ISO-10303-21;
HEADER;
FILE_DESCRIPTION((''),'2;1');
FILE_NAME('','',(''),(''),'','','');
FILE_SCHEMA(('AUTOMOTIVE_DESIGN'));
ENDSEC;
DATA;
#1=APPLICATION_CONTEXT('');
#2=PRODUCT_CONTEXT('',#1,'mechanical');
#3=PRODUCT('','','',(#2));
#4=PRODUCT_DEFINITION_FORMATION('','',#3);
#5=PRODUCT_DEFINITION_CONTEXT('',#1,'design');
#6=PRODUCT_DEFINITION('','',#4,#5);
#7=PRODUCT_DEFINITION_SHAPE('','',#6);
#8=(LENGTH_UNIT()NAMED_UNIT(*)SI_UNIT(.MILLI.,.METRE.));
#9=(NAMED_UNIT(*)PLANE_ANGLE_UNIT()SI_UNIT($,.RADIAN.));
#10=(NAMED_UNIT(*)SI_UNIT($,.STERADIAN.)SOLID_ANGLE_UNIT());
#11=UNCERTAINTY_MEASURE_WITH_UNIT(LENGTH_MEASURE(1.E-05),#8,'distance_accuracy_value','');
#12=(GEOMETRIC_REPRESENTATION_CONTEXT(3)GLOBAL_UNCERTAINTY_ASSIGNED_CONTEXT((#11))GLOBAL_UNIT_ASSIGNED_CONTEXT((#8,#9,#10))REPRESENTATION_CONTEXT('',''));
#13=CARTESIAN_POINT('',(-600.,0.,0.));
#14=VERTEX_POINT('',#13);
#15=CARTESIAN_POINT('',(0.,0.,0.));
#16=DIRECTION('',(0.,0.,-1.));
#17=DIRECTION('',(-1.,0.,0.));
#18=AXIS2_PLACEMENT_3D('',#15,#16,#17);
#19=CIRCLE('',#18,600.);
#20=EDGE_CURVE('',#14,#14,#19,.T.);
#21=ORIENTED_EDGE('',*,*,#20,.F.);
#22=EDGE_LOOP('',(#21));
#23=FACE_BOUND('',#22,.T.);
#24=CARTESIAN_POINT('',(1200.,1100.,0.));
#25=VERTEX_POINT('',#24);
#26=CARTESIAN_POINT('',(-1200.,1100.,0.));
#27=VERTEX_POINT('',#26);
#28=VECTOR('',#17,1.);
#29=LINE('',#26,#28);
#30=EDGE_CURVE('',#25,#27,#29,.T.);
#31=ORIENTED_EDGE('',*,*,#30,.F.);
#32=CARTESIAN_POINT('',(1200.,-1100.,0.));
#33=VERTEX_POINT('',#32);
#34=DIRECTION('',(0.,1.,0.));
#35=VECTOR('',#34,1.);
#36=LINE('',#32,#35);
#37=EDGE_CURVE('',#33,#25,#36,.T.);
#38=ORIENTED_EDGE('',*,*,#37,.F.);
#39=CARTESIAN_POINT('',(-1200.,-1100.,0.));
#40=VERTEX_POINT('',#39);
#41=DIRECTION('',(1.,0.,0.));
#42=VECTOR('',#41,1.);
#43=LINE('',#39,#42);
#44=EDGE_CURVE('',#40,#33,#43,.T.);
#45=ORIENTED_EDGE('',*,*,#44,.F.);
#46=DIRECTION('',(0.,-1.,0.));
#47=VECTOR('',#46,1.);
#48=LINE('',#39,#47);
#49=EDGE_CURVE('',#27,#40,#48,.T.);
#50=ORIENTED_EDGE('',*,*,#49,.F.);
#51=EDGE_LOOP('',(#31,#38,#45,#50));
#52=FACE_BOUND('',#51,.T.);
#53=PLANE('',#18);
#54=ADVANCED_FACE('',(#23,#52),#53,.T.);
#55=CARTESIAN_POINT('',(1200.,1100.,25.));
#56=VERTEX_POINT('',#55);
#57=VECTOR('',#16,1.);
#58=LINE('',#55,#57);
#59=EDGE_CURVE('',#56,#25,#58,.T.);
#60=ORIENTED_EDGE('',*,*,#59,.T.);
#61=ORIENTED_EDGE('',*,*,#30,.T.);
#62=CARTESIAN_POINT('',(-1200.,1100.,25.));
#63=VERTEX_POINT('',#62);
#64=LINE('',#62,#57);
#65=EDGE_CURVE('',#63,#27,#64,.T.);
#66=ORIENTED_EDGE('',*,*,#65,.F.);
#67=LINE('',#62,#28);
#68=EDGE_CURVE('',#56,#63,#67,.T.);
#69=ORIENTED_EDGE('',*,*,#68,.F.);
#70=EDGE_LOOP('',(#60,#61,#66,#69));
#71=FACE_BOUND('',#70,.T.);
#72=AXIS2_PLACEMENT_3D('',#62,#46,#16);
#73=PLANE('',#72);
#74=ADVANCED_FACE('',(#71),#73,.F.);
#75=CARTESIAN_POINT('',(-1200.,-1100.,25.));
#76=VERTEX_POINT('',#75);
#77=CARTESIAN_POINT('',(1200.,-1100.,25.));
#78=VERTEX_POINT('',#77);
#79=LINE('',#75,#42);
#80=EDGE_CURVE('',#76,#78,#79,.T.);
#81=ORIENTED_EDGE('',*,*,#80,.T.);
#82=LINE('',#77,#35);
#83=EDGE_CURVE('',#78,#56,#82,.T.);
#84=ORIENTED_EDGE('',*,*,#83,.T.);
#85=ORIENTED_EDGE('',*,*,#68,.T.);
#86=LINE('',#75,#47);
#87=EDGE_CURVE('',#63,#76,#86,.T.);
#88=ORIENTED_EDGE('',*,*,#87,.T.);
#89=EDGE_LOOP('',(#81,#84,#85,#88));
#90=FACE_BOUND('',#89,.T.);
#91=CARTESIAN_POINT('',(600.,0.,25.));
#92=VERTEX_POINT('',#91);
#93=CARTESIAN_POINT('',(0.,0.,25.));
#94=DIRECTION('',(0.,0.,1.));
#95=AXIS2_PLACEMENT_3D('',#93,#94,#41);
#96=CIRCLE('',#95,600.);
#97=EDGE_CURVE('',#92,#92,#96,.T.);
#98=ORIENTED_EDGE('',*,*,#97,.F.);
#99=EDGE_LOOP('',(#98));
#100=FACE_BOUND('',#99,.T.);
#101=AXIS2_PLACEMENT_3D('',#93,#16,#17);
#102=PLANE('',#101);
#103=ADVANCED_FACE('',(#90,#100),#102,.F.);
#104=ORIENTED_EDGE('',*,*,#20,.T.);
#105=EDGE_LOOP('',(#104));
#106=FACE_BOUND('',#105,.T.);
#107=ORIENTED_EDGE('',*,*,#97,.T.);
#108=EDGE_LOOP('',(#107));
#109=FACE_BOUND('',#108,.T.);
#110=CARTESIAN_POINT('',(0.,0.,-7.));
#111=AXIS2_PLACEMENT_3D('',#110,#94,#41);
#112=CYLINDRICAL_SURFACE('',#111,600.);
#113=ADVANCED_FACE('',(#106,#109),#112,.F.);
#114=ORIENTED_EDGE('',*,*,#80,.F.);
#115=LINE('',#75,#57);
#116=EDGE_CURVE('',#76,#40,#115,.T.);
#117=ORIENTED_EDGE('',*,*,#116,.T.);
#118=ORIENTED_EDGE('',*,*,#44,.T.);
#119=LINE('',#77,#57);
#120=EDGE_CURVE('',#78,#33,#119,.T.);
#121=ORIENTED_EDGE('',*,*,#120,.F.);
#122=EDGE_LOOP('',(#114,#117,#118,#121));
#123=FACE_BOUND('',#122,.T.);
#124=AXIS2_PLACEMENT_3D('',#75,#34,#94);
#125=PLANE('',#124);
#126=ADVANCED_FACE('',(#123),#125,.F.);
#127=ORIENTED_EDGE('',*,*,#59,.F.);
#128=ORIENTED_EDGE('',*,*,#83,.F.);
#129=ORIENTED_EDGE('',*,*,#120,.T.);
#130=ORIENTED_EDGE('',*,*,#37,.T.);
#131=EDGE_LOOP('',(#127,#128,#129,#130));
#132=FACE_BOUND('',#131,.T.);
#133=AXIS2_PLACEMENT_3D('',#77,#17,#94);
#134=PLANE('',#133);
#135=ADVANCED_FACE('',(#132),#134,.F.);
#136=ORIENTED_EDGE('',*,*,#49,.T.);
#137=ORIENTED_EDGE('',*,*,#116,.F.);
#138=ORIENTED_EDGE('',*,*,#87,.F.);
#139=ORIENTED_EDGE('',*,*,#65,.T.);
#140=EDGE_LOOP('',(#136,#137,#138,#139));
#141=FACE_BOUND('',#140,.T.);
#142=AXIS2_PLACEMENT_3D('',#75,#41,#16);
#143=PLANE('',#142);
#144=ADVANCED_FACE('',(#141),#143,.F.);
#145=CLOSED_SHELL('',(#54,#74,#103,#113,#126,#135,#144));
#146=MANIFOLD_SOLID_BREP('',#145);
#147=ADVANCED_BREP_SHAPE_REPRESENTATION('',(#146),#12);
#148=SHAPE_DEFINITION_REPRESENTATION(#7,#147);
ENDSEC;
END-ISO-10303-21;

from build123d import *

# Parameters (mm, degrees)
SKETCH1_W           = 2400
SKETCH1_H           = 2200
BOSS_EXTRUDE1_DEPTH = 25
SKETCH2_R           = 600
CUT_EXTRUDE1_DEPTH  = 32


with BuildPart() as part:
    # Sketch1 → Boss-Extrude1 (new body)
    with BuildSketch(Plane.XY):
        Rectangle(SKETCH1_W, SKETCH1_H)
    extrude(amount=BOSS_EXTRUDE1_DEPTH)

    # Sketch2 → Cut-Extrude1 (cut)
    with BuildSketch(Plane.XY.offset(25)):
        Circle(SKETCH2_R)
    extrude(amount=-CUT_EXTRUDE1_DEPTH, mode=Mode.SUBTRACT)


solid = part.part
